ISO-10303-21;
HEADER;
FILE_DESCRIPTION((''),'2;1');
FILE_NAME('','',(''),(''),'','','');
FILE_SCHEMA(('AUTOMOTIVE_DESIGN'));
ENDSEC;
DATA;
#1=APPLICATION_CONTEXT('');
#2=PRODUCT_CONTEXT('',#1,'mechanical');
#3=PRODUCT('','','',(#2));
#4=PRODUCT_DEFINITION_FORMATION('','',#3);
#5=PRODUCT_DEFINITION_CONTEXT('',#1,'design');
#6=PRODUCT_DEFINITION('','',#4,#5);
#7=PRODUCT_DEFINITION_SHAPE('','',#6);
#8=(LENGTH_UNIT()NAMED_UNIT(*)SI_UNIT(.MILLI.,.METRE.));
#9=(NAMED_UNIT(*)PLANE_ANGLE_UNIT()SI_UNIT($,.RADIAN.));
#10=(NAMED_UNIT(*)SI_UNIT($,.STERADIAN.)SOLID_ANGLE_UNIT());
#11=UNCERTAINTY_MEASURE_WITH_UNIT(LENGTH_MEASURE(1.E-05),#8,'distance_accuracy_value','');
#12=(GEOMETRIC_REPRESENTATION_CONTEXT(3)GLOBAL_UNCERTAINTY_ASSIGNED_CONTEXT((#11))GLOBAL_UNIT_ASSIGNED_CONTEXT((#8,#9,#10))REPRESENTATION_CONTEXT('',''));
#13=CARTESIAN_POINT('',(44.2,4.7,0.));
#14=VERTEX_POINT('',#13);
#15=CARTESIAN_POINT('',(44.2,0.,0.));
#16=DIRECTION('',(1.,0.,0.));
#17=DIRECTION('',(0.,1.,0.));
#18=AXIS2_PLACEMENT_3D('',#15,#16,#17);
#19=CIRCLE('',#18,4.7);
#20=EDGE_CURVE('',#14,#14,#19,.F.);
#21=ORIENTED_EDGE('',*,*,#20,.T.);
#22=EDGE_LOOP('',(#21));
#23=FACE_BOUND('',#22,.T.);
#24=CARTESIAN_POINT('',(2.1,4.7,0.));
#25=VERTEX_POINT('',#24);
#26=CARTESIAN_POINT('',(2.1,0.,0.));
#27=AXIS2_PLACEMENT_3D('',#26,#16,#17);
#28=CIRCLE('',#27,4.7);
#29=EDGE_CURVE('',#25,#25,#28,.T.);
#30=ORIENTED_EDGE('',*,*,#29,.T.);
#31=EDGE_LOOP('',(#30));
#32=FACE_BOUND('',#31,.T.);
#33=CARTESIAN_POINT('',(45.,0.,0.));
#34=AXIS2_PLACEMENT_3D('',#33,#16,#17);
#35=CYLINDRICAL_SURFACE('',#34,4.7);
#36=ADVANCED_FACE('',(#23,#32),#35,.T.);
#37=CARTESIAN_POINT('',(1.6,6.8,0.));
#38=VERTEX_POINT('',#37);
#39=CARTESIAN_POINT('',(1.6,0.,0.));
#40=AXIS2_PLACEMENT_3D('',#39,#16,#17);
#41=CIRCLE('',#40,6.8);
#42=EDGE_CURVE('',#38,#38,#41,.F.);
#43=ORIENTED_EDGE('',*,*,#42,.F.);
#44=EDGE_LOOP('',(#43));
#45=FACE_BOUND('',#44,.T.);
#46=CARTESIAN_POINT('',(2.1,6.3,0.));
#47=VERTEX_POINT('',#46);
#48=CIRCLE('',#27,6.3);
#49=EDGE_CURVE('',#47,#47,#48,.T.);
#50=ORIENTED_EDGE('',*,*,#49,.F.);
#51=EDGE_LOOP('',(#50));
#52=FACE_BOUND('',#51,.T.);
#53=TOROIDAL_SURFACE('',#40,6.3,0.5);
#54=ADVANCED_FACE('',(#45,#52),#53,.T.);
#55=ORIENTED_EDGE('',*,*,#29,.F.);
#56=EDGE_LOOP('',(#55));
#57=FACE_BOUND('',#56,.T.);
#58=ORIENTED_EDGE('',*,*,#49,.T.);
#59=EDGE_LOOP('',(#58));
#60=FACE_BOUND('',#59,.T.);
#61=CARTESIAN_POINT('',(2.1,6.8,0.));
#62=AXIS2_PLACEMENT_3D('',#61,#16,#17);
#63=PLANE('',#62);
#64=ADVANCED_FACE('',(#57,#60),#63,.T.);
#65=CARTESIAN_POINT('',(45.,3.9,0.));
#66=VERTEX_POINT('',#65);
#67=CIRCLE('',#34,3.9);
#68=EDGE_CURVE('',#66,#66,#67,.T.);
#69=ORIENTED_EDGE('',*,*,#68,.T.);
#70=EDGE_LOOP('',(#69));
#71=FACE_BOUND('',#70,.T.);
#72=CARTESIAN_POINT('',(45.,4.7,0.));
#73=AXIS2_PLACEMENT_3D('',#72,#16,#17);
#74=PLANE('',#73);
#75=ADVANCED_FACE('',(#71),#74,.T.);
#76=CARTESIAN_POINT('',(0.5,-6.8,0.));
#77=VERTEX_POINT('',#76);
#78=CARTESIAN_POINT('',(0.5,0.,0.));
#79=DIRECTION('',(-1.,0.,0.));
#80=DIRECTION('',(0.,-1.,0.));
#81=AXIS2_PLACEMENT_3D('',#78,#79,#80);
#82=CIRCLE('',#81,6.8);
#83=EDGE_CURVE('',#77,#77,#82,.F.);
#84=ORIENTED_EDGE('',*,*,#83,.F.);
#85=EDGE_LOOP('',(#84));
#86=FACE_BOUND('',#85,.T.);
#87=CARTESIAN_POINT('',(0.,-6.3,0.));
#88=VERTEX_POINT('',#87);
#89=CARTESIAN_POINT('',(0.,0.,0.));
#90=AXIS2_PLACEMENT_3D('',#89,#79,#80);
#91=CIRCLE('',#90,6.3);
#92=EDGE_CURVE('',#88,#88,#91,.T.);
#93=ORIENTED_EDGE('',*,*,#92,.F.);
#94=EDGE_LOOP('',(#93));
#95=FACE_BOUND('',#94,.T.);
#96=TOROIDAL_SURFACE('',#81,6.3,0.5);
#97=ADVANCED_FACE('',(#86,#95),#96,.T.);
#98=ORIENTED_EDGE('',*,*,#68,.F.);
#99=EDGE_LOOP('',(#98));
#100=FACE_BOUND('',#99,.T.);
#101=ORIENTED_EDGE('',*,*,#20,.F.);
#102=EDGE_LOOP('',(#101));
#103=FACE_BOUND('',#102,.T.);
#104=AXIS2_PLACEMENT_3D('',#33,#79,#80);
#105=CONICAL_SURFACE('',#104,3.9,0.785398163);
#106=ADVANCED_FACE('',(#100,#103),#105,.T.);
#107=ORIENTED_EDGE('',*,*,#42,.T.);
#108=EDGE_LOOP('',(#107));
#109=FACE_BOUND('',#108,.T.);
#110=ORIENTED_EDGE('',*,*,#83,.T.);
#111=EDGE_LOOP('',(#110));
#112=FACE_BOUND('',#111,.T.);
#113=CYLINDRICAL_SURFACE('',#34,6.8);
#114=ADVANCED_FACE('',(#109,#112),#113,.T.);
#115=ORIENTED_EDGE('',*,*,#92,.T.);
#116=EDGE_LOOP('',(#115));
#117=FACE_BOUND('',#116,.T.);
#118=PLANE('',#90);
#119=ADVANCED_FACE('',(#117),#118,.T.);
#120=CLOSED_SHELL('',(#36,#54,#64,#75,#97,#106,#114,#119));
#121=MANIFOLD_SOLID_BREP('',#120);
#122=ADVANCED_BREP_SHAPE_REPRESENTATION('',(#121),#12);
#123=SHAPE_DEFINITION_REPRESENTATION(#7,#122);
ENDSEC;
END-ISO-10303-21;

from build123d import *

# Parameters (mm, degrees)
FILLET1_R     = 0.5
CHAMFER1_SIZE = 0.8


with BuildPart() as part:
    # Sketch1 → Revolve1 (revolve)
    with BuildSketch(Plane.XY):
        Polygon((0, 0), (0, 6.8), (2.1, 6.8), (2.1, 4.7), (45, 4.7), (45, 0), align=None)
    revolve(axis=Axis((45, 0, 0), (-1, 0, 0)))

    # Fillet1
    fillet1_edges = [part.edges().sort_by_distance(p)[0] for p in [
        (2.1, -6.8, 0),
        (0, -6.8, 0),
    ]]
    fillet(fillet1_edges, radius=FILLET1_R)

    # Chamfer1
    chamfer1_edges = [part.edges().sort_by_distance(p)[0] for p in [
        (45, -4.7, 0),
    ]]
    chamfer(chamfer1_edges, length=CHAMFER1_SIZE)


solid = part.part
